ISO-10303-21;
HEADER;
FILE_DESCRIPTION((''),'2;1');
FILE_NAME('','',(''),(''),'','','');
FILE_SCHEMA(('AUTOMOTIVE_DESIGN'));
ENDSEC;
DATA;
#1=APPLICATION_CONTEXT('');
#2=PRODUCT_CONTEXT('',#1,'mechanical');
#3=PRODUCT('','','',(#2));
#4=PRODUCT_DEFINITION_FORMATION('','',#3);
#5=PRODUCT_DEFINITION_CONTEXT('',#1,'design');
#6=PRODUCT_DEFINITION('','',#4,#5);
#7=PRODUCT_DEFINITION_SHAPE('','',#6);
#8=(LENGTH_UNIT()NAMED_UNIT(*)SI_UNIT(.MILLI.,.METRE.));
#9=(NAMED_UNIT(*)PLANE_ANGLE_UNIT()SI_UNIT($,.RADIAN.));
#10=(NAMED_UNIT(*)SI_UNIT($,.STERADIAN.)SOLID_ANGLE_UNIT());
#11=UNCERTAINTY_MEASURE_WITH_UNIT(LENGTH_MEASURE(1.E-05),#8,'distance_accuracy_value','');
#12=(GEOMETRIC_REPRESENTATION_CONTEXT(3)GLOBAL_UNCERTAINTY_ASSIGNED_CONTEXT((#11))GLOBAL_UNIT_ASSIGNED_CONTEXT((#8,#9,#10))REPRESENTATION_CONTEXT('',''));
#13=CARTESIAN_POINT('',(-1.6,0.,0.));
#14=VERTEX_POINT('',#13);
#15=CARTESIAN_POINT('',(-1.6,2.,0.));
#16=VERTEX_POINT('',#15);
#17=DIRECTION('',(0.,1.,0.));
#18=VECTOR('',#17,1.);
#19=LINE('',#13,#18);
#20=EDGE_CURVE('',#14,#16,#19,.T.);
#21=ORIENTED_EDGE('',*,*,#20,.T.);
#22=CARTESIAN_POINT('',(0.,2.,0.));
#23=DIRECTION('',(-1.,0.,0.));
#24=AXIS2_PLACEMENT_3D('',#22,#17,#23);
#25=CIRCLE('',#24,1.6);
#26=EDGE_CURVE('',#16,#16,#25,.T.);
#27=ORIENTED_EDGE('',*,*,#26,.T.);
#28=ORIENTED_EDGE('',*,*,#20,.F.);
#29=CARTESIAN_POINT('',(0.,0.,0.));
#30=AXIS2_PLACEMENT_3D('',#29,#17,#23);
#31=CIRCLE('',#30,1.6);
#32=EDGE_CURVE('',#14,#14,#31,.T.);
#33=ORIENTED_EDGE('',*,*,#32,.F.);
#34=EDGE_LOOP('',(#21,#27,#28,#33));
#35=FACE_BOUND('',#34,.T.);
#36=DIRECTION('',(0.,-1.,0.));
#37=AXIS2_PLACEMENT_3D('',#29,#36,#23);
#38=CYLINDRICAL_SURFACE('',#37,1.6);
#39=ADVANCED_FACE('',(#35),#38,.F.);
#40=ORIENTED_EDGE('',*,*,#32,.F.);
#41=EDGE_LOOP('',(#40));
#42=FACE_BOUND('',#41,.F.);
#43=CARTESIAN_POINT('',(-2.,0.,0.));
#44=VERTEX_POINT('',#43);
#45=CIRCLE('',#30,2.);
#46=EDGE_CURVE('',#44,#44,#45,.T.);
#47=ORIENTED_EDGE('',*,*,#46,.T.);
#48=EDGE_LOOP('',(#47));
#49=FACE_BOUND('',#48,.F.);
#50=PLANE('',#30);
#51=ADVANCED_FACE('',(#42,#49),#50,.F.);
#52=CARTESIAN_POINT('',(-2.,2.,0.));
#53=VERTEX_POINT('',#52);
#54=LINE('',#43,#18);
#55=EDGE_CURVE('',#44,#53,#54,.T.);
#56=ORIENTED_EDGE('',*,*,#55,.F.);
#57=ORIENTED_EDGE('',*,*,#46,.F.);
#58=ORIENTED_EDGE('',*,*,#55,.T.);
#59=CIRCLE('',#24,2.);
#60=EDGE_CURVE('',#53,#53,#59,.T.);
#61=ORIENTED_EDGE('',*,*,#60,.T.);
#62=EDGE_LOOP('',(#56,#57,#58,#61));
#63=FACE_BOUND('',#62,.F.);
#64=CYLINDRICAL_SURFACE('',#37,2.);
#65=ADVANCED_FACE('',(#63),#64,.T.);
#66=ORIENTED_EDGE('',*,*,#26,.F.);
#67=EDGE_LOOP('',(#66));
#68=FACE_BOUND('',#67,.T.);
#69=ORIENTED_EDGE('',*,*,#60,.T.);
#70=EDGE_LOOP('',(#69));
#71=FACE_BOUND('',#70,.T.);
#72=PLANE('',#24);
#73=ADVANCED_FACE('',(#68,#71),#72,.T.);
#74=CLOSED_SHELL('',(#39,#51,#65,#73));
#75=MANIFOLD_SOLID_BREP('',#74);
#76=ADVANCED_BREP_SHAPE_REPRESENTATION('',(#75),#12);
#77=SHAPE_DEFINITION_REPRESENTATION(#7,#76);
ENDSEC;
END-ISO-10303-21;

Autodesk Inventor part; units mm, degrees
ref_plane "YZ Plane" through (0, 0, 0) normal (1, 0, 0) x (0, 1, 0)
ref_plane "XZ Plane" through (0, 0, 0) normal (0, 1, 0) x (-1, 0, 0)
ref_plane "XY Plane" through (0, 0, 0) normal (0, 0, 1) x (1, 0, 0)
sketch "スケッチ1" plane through (0, 0, 0) normal (0, 1, 0) x (-1, 0, 0)
  circle A0 centre (0, 0) radius 1.6
  circle A1 centre (0, 0) radius 2
  dimension "d0" = 3.2
  dimension "d1" = 4
extrude "押し出し1" add sketch "スケッチ1" along normal blind 2
properties part number "3D_arduino-spacer_3D プリント"
